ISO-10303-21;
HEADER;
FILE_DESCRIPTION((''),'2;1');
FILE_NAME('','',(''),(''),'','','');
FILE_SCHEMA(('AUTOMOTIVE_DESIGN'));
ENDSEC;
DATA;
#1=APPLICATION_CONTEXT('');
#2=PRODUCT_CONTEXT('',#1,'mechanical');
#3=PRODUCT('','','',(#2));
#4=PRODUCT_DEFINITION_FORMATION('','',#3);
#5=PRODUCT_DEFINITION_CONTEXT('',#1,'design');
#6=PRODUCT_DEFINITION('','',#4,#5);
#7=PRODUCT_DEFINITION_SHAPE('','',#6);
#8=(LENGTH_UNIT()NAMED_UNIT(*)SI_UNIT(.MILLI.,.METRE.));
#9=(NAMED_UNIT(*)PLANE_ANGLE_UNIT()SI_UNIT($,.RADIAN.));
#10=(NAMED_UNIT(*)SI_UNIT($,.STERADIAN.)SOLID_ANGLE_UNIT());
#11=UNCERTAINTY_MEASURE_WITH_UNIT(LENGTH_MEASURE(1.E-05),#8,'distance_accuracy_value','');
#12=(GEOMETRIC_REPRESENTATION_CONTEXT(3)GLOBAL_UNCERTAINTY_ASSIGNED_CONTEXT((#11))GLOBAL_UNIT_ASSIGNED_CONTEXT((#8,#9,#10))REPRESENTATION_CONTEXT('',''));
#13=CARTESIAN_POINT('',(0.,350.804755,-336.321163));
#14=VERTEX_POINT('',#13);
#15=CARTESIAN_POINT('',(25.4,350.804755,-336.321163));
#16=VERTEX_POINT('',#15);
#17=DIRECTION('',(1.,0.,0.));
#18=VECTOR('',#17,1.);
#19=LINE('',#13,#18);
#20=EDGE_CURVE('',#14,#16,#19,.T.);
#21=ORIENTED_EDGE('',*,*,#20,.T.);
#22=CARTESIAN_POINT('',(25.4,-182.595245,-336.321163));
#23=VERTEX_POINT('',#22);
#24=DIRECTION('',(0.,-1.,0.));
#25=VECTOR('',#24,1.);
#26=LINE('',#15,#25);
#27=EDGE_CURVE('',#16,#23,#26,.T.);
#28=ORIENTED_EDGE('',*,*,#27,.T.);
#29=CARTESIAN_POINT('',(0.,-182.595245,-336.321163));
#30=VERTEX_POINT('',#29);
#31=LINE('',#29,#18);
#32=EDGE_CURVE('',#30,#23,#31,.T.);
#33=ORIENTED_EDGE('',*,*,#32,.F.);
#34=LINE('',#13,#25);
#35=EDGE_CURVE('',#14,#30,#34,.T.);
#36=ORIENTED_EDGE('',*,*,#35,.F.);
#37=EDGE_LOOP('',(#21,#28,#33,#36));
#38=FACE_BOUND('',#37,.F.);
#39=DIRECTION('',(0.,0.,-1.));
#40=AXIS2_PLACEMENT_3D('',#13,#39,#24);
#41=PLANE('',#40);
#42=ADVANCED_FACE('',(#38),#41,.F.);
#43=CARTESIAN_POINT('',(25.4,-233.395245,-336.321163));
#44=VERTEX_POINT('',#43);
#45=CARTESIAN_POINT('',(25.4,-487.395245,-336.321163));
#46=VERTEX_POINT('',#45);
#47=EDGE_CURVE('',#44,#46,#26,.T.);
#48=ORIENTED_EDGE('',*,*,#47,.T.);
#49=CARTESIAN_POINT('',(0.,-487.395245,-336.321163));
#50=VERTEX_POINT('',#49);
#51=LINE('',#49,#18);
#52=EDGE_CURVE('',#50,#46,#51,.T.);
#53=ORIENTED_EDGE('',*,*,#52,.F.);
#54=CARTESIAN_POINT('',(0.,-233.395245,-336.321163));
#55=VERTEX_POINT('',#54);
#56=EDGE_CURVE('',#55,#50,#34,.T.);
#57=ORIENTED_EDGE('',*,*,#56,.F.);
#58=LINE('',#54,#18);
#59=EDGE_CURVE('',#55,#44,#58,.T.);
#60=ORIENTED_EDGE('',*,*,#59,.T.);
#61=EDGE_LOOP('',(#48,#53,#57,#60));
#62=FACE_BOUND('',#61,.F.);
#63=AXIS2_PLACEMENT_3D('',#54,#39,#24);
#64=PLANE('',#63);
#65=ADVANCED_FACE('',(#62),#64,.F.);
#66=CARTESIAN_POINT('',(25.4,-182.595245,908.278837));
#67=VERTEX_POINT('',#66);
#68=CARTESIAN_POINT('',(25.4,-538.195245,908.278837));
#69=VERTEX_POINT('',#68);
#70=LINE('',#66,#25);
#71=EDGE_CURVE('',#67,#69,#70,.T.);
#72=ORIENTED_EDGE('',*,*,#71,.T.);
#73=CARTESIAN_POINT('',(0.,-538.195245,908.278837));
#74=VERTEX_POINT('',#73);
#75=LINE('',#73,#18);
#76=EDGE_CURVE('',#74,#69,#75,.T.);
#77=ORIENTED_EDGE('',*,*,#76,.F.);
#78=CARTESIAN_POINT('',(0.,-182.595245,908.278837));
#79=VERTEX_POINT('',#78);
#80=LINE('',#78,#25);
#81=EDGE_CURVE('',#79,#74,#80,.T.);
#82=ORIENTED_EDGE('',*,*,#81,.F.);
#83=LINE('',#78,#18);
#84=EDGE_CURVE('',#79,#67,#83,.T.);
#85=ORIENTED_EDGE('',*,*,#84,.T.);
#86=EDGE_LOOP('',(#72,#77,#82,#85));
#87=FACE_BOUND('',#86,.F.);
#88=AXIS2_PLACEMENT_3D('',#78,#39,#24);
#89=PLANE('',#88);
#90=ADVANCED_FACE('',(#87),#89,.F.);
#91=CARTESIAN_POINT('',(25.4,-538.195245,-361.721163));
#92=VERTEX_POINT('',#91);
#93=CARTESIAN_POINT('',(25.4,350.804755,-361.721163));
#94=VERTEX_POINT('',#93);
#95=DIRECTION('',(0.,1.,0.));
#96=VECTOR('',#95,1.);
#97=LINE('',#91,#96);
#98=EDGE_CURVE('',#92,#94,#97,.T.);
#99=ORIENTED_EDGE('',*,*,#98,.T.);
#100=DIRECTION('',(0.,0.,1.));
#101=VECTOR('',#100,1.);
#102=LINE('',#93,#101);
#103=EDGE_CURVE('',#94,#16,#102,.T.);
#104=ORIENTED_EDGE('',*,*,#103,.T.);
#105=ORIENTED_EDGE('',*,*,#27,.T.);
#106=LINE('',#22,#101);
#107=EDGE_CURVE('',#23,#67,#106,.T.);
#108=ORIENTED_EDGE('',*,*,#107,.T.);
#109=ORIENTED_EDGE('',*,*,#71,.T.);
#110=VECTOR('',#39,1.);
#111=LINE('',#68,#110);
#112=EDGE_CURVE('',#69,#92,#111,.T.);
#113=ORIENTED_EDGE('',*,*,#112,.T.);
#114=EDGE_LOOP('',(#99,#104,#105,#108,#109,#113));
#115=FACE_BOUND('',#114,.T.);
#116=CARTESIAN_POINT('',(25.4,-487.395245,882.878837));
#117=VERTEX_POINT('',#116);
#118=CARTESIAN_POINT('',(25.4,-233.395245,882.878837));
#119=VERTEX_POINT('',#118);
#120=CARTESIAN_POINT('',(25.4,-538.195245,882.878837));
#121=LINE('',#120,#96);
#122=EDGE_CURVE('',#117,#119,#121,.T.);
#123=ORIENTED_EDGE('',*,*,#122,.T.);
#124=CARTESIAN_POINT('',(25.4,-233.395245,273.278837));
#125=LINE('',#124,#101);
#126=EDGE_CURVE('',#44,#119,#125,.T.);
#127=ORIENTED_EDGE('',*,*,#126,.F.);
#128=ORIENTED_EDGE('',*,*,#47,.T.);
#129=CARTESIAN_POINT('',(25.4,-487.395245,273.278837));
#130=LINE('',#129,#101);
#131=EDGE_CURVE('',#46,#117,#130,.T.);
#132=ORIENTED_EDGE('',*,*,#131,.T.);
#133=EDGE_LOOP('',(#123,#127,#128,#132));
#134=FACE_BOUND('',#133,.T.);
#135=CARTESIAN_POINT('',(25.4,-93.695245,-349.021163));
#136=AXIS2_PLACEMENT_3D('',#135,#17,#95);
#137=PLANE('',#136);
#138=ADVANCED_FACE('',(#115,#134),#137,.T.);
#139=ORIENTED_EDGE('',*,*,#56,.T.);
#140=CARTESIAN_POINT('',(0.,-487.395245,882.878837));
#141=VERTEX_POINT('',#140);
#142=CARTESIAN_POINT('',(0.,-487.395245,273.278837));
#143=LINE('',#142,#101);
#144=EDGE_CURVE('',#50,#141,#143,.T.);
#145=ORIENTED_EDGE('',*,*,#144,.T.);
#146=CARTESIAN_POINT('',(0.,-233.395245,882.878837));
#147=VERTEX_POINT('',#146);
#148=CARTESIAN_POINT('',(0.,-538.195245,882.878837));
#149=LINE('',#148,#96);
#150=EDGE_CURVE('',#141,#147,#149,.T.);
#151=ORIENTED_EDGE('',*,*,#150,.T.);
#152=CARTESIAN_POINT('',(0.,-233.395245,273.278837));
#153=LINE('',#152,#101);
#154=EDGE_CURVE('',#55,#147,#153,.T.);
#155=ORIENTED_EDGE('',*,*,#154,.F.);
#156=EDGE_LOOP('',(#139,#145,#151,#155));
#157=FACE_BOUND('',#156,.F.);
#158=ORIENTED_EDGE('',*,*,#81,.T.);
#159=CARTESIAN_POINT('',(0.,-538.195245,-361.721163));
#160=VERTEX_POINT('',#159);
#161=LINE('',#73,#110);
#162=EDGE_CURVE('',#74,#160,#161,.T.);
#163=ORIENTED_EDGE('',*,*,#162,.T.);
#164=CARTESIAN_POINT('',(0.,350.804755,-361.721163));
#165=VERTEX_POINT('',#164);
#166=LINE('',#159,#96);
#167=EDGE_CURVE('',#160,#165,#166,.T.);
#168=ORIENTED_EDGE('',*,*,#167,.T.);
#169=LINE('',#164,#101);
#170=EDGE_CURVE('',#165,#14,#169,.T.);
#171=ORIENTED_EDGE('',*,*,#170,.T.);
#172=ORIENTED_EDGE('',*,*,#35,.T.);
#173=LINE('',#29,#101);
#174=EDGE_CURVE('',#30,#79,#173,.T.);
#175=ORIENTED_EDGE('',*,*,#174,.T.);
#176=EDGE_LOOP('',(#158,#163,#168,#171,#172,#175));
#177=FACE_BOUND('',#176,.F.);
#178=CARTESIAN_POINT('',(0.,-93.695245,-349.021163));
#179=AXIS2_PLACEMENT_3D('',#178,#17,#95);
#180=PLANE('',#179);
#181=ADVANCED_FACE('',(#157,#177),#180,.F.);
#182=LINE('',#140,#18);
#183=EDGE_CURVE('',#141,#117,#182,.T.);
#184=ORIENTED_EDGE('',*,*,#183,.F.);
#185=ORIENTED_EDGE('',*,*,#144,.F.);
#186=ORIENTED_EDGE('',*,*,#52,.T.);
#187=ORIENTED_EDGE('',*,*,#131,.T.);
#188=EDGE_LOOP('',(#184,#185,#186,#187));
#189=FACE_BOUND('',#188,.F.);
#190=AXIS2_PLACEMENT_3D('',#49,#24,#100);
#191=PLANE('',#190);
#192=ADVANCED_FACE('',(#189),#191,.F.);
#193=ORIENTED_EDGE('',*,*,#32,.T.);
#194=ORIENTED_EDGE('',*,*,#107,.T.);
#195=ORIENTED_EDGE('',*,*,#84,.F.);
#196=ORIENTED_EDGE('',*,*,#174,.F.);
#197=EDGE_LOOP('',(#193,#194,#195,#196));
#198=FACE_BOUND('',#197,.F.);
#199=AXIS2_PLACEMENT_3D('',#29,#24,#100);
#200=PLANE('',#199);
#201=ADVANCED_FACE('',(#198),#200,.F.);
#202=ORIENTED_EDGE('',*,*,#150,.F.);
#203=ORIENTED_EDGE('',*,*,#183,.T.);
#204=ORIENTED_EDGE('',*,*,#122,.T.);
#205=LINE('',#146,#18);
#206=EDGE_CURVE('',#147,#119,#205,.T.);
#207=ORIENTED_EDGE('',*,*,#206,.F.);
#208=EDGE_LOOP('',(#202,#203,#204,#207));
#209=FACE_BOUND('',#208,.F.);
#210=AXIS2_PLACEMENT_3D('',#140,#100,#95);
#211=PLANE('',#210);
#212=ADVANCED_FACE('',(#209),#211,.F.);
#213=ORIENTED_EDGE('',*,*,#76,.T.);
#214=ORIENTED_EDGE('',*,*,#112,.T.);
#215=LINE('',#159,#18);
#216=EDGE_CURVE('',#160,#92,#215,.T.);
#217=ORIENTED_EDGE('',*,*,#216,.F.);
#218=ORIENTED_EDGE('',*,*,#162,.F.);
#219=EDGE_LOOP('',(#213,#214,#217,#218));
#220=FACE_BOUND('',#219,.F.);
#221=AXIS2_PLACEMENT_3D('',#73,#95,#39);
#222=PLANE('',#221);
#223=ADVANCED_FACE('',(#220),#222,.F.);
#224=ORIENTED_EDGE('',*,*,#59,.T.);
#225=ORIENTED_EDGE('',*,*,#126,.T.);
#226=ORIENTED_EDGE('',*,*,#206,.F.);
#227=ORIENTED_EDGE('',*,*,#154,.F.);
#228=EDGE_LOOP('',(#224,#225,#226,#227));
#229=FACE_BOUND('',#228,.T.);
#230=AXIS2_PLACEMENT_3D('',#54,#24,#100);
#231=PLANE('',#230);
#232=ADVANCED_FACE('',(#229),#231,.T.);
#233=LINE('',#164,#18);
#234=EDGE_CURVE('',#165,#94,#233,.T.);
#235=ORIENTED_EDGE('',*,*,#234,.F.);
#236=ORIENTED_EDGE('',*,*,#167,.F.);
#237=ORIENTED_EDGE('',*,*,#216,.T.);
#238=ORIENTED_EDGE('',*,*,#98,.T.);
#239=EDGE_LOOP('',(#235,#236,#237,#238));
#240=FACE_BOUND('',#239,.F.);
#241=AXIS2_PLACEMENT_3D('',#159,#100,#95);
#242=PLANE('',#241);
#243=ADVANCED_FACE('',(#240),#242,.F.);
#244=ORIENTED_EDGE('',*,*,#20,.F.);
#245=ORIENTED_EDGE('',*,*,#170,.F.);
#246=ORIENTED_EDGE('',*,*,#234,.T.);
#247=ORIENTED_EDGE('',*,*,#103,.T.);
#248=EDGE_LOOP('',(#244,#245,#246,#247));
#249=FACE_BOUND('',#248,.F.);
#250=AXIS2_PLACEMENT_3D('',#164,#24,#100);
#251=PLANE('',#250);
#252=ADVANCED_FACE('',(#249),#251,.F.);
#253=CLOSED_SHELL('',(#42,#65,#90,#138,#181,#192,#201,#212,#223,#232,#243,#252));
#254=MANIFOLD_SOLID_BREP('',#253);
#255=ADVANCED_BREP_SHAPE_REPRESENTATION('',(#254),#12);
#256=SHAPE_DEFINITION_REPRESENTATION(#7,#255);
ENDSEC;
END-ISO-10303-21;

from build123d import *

# Parameters (mm, degrees)
F0_W     = 50.8
F0_H     = 1219.2
F1_DEPTH = 25.4


with BuildPart() as f1:
    # F0 (on Right) → F1 (new body)
    with BuildSketch(Plane.YZ):
        Polygon((350.804755, -361.721163), (350.804755, -336.321163), (-182.595245, -336.321163), (-233.395245, -336.321163), (-487.395245, -336.321163), (-538.195245, -336.321163), (-538.195245, -361.721163), align=None)
        with Locations((-207.995245, 273.278837)):
            Rectangle(F0_W, F0_H)
        Polygon((-233.395245, 882.878837), (-182.595245, 882.878837), (-182.595245, 908.278837), (-538.195245, 908.278837), (-538.195245, 882.878837), (-487.395245, 882.878837), align=None)
        with Locations((-512.795245, 273.278837)):
            Rectangle(F0_W, F0_H)
    extrude(amount=F1_DEPTH)


solid = f1.part
